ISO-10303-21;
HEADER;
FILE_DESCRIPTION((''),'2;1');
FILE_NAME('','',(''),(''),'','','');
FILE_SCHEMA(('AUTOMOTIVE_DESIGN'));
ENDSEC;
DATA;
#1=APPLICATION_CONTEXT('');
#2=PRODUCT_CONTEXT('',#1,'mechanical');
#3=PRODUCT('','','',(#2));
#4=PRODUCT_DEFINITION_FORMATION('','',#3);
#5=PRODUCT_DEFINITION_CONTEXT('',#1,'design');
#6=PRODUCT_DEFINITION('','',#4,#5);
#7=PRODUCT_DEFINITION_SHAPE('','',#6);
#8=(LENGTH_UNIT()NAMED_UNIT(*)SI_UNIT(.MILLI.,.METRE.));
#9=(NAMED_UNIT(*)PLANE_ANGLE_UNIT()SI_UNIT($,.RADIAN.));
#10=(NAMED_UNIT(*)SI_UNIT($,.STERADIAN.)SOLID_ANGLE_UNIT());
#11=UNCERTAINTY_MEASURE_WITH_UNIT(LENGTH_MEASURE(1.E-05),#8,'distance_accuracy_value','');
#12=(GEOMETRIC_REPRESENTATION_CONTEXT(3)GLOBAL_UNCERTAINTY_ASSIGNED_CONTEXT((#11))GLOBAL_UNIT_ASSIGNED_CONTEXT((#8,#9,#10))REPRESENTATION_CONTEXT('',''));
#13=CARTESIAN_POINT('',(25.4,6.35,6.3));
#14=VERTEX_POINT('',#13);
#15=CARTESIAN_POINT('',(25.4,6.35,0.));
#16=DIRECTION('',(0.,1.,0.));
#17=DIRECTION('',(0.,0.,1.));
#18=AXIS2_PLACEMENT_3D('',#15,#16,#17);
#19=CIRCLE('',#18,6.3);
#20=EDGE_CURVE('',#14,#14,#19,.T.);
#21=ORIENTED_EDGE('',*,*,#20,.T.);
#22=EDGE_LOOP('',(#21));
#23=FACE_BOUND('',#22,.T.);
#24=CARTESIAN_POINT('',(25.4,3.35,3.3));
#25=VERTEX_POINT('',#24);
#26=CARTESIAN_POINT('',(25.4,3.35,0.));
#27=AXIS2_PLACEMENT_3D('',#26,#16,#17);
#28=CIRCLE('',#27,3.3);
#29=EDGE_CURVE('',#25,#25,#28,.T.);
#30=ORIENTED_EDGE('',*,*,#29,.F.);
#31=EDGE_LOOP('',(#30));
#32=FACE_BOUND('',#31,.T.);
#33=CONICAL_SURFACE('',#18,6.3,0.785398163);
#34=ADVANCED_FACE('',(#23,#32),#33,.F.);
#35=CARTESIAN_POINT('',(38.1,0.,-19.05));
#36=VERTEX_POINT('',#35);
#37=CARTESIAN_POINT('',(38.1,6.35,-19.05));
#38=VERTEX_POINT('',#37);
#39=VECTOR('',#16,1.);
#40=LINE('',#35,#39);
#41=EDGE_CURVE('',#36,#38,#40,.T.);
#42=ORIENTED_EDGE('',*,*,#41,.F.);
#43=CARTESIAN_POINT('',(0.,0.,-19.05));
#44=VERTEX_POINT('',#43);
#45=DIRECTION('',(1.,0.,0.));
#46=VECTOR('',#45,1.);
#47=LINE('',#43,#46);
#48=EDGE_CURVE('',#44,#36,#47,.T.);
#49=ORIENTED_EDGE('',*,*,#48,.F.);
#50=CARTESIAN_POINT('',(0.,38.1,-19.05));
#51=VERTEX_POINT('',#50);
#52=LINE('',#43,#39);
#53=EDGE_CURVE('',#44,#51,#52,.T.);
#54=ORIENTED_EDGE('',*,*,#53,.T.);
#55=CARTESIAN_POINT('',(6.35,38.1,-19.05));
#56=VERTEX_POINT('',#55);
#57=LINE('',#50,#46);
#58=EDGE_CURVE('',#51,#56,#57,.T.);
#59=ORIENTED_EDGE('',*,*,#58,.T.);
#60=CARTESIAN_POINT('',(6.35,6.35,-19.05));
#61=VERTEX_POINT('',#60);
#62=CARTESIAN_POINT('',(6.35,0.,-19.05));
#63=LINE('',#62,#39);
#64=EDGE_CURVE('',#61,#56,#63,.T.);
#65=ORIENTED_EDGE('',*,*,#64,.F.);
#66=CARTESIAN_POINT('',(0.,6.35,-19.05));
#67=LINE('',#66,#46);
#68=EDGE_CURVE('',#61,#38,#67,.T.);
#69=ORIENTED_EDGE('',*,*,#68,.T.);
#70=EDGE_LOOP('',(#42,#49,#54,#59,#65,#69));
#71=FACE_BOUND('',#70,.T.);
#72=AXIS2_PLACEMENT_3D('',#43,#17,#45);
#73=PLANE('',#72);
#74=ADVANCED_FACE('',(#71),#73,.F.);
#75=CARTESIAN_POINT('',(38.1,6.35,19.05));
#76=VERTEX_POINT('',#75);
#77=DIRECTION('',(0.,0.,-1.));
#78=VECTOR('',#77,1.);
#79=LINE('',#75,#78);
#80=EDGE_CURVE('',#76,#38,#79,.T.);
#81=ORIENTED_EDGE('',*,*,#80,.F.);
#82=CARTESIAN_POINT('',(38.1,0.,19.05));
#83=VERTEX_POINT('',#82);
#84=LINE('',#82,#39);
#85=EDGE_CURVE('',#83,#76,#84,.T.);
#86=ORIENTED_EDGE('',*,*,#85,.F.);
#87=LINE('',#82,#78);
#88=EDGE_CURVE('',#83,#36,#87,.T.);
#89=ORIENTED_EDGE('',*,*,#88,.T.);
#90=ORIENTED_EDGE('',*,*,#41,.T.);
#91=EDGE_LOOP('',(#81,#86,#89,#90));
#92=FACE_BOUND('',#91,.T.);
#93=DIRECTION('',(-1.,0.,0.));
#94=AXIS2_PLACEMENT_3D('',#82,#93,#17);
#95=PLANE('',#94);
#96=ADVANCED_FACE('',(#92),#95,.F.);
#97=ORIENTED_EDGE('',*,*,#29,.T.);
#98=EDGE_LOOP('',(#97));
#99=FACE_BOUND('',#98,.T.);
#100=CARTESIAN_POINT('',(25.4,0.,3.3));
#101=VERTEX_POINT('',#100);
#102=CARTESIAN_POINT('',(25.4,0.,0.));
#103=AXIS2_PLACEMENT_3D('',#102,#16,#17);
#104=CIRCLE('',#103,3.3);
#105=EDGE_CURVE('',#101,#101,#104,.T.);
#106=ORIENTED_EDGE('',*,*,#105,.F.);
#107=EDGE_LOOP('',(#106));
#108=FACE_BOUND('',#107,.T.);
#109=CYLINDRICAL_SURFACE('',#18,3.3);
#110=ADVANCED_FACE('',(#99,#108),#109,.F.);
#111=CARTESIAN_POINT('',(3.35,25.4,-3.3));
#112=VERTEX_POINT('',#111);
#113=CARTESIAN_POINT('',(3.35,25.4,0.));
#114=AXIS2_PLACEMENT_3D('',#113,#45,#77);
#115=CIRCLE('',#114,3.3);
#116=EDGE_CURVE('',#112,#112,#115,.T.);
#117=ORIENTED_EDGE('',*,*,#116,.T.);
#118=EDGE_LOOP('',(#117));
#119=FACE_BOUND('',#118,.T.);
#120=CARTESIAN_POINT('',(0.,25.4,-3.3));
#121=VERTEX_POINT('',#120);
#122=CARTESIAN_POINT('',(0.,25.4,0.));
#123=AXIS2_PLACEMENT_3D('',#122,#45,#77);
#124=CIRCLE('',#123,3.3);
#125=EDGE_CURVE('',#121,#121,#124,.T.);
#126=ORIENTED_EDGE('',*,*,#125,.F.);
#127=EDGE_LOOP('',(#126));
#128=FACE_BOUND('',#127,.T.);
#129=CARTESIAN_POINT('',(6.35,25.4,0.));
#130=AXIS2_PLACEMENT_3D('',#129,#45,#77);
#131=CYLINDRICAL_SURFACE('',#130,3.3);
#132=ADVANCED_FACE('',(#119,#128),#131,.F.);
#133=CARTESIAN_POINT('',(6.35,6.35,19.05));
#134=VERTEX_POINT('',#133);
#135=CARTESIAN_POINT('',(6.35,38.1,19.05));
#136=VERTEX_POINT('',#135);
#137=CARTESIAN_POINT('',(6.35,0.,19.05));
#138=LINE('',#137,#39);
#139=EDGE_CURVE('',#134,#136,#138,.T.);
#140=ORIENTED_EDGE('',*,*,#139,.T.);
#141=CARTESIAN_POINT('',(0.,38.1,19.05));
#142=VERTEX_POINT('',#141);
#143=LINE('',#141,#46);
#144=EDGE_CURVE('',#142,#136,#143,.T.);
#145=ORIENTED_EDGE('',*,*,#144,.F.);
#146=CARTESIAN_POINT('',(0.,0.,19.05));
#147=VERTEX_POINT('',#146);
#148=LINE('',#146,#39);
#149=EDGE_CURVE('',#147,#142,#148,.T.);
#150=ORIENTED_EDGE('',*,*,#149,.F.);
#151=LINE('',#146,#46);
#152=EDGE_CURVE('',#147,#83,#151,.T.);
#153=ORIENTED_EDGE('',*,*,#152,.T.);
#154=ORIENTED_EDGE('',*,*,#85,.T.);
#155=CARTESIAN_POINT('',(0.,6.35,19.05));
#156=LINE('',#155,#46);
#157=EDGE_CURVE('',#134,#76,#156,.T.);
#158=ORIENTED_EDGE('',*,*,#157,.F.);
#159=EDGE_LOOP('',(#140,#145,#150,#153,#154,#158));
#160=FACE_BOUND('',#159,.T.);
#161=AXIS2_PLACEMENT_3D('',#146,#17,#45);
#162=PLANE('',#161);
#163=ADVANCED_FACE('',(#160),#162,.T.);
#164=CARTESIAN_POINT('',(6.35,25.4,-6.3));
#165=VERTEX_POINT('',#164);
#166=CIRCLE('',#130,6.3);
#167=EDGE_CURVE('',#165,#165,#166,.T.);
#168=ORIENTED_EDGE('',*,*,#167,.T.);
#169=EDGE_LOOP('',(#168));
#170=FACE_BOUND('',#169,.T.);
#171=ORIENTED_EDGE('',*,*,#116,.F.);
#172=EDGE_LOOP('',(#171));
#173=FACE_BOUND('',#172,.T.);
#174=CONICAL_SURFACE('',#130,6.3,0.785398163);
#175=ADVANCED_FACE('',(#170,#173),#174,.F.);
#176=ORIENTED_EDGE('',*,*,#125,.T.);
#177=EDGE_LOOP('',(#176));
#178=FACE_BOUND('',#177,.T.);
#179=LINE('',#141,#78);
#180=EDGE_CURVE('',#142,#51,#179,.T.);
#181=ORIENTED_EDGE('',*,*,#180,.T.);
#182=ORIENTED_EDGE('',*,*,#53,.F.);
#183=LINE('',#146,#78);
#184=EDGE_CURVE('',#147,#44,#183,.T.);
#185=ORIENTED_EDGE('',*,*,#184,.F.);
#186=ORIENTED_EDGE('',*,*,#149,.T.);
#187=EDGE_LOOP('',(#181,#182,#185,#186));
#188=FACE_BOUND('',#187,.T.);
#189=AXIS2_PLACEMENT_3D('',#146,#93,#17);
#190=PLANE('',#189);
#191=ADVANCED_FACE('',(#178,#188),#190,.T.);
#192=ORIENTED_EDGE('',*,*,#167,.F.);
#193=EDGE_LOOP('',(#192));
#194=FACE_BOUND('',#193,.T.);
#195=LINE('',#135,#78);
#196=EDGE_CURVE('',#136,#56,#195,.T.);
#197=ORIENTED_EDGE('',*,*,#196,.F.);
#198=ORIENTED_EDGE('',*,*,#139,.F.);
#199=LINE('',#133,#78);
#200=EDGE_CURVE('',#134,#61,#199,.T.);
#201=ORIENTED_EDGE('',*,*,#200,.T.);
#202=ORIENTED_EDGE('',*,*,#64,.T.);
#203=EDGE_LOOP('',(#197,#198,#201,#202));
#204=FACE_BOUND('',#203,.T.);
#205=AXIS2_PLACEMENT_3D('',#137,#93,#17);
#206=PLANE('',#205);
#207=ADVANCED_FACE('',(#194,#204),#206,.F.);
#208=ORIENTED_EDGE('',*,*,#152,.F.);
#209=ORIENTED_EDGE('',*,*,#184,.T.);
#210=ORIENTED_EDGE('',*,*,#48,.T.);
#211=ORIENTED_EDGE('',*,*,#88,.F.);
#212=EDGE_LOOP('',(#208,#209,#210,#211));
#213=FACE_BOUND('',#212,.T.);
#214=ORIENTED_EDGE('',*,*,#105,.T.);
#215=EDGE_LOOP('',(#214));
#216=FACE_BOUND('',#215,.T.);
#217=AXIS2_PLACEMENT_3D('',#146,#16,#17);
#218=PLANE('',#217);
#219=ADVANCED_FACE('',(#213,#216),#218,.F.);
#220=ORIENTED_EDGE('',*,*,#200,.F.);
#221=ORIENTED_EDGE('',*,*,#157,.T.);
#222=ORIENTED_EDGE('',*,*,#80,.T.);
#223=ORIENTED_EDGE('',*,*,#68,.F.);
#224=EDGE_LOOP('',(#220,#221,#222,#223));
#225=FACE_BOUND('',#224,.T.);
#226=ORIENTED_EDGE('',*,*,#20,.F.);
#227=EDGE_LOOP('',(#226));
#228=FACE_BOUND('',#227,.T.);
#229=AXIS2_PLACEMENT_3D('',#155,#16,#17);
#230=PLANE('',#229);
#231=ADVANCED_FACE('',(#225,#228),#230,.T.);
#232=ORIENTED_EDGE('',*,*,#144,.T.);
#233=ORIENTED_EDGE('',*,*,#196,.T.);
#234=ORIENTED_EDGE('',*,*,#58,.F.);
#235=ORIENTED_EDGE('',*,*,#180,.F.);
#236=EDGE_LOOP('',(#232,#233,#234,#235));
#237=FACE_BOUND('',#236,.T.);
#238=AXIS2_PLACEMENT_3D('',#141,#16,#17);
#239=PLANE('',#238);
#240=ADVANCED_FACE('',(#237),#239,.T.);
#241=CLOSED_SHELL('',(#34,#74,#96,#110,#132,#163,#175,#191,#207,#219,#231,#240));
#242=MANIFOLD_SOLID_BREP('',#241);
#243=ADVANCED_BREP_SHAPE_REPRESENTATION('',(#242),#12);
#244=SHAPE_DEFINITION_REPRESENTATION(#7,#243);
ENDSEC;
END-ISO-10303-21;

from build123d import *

# Parameters (mm, degrees)
BOSS_EXTRUDE1_DEPTH                             = 19.05
CSK_FOR_M6_FLAT_HEAD_MACHINE_SCREW1_D           = 6.6
CSK_FOR_M6_FLAT_HEAD_MACHINE_SCREW1_CSINK_D     = 12.6
CSK_FOR_M6_FLAT_HEAD_MACHINE_SCREW1_CSINK_ANGLE = 90
CSK_FOR_M6_FLAT_HEAD_MACHINE_SCREW2_D           = 6.6
CSK_FOR_M6_FLAT_HEAD_MACHINE_SCREW2_CSINK_D     = 12.6
CSK_FOR_M6_FLAT_HEAD_MACHINE_SCREW2_CSINK_ANGLE = 90


with BuildPart() as part:
    # Sketch1 → Boss-Extrude1 (new, symmetric)
    with BuildSketch(Plane.XY):
        Polygon((0, 4.567772054), (0, 0), (4.567772054, 0), (38.1, 0), (38.1, 6.35), (6.35, 6.35), (6.35, 38.1), (0, 38.1), align=None)
    extrude(amount=BOSS_EXTRUDE1_DEPTH, both=True)

    # CSK for M6 Flat Head Machine Screw1 (through all)
    with Locations(Plane(origin=(6.35, 0, 0), x_dir=(0, 0, -1), z_dir=(1, 0, 0))):
        with Locations((0, 25.4)):
            CounterSinkHole(CSK_FOR_M6_FLAT_HEAD_MACHINE_SCREW1_D / 2, CSK_FOR_M6_FLAT_HEAD_MACHINE_SCREW1_CSINK_D / 2, counter_sink_angle=CSK_FOR_M6_FLAT_HEAD_MACHINE_SCREW1_CSINK_ANGLE)

    # CSK for M6 Flat Head Machine Screw2 (through all)
    with Locations(Plane(origin=(0, 6.35, 0), x_dir=(1, 0, 0), z_dir=(0, 1, 0))):
        with Locations((25.4, 0)):
            CounterSinkHole(CSK_FOR_M6_FLAT_HEAD_MACHINE_SCREW2_D / 2, CSK_FOR_M6_FLAT_HEAD_MACHINE_SCREW2_CSINK_D / 2, counter_sink_angle=CSK_FOR_M6_FLAT_HEAD_MACHINE_SCREW2_CSINK_ANGLE)


solid = part.part
